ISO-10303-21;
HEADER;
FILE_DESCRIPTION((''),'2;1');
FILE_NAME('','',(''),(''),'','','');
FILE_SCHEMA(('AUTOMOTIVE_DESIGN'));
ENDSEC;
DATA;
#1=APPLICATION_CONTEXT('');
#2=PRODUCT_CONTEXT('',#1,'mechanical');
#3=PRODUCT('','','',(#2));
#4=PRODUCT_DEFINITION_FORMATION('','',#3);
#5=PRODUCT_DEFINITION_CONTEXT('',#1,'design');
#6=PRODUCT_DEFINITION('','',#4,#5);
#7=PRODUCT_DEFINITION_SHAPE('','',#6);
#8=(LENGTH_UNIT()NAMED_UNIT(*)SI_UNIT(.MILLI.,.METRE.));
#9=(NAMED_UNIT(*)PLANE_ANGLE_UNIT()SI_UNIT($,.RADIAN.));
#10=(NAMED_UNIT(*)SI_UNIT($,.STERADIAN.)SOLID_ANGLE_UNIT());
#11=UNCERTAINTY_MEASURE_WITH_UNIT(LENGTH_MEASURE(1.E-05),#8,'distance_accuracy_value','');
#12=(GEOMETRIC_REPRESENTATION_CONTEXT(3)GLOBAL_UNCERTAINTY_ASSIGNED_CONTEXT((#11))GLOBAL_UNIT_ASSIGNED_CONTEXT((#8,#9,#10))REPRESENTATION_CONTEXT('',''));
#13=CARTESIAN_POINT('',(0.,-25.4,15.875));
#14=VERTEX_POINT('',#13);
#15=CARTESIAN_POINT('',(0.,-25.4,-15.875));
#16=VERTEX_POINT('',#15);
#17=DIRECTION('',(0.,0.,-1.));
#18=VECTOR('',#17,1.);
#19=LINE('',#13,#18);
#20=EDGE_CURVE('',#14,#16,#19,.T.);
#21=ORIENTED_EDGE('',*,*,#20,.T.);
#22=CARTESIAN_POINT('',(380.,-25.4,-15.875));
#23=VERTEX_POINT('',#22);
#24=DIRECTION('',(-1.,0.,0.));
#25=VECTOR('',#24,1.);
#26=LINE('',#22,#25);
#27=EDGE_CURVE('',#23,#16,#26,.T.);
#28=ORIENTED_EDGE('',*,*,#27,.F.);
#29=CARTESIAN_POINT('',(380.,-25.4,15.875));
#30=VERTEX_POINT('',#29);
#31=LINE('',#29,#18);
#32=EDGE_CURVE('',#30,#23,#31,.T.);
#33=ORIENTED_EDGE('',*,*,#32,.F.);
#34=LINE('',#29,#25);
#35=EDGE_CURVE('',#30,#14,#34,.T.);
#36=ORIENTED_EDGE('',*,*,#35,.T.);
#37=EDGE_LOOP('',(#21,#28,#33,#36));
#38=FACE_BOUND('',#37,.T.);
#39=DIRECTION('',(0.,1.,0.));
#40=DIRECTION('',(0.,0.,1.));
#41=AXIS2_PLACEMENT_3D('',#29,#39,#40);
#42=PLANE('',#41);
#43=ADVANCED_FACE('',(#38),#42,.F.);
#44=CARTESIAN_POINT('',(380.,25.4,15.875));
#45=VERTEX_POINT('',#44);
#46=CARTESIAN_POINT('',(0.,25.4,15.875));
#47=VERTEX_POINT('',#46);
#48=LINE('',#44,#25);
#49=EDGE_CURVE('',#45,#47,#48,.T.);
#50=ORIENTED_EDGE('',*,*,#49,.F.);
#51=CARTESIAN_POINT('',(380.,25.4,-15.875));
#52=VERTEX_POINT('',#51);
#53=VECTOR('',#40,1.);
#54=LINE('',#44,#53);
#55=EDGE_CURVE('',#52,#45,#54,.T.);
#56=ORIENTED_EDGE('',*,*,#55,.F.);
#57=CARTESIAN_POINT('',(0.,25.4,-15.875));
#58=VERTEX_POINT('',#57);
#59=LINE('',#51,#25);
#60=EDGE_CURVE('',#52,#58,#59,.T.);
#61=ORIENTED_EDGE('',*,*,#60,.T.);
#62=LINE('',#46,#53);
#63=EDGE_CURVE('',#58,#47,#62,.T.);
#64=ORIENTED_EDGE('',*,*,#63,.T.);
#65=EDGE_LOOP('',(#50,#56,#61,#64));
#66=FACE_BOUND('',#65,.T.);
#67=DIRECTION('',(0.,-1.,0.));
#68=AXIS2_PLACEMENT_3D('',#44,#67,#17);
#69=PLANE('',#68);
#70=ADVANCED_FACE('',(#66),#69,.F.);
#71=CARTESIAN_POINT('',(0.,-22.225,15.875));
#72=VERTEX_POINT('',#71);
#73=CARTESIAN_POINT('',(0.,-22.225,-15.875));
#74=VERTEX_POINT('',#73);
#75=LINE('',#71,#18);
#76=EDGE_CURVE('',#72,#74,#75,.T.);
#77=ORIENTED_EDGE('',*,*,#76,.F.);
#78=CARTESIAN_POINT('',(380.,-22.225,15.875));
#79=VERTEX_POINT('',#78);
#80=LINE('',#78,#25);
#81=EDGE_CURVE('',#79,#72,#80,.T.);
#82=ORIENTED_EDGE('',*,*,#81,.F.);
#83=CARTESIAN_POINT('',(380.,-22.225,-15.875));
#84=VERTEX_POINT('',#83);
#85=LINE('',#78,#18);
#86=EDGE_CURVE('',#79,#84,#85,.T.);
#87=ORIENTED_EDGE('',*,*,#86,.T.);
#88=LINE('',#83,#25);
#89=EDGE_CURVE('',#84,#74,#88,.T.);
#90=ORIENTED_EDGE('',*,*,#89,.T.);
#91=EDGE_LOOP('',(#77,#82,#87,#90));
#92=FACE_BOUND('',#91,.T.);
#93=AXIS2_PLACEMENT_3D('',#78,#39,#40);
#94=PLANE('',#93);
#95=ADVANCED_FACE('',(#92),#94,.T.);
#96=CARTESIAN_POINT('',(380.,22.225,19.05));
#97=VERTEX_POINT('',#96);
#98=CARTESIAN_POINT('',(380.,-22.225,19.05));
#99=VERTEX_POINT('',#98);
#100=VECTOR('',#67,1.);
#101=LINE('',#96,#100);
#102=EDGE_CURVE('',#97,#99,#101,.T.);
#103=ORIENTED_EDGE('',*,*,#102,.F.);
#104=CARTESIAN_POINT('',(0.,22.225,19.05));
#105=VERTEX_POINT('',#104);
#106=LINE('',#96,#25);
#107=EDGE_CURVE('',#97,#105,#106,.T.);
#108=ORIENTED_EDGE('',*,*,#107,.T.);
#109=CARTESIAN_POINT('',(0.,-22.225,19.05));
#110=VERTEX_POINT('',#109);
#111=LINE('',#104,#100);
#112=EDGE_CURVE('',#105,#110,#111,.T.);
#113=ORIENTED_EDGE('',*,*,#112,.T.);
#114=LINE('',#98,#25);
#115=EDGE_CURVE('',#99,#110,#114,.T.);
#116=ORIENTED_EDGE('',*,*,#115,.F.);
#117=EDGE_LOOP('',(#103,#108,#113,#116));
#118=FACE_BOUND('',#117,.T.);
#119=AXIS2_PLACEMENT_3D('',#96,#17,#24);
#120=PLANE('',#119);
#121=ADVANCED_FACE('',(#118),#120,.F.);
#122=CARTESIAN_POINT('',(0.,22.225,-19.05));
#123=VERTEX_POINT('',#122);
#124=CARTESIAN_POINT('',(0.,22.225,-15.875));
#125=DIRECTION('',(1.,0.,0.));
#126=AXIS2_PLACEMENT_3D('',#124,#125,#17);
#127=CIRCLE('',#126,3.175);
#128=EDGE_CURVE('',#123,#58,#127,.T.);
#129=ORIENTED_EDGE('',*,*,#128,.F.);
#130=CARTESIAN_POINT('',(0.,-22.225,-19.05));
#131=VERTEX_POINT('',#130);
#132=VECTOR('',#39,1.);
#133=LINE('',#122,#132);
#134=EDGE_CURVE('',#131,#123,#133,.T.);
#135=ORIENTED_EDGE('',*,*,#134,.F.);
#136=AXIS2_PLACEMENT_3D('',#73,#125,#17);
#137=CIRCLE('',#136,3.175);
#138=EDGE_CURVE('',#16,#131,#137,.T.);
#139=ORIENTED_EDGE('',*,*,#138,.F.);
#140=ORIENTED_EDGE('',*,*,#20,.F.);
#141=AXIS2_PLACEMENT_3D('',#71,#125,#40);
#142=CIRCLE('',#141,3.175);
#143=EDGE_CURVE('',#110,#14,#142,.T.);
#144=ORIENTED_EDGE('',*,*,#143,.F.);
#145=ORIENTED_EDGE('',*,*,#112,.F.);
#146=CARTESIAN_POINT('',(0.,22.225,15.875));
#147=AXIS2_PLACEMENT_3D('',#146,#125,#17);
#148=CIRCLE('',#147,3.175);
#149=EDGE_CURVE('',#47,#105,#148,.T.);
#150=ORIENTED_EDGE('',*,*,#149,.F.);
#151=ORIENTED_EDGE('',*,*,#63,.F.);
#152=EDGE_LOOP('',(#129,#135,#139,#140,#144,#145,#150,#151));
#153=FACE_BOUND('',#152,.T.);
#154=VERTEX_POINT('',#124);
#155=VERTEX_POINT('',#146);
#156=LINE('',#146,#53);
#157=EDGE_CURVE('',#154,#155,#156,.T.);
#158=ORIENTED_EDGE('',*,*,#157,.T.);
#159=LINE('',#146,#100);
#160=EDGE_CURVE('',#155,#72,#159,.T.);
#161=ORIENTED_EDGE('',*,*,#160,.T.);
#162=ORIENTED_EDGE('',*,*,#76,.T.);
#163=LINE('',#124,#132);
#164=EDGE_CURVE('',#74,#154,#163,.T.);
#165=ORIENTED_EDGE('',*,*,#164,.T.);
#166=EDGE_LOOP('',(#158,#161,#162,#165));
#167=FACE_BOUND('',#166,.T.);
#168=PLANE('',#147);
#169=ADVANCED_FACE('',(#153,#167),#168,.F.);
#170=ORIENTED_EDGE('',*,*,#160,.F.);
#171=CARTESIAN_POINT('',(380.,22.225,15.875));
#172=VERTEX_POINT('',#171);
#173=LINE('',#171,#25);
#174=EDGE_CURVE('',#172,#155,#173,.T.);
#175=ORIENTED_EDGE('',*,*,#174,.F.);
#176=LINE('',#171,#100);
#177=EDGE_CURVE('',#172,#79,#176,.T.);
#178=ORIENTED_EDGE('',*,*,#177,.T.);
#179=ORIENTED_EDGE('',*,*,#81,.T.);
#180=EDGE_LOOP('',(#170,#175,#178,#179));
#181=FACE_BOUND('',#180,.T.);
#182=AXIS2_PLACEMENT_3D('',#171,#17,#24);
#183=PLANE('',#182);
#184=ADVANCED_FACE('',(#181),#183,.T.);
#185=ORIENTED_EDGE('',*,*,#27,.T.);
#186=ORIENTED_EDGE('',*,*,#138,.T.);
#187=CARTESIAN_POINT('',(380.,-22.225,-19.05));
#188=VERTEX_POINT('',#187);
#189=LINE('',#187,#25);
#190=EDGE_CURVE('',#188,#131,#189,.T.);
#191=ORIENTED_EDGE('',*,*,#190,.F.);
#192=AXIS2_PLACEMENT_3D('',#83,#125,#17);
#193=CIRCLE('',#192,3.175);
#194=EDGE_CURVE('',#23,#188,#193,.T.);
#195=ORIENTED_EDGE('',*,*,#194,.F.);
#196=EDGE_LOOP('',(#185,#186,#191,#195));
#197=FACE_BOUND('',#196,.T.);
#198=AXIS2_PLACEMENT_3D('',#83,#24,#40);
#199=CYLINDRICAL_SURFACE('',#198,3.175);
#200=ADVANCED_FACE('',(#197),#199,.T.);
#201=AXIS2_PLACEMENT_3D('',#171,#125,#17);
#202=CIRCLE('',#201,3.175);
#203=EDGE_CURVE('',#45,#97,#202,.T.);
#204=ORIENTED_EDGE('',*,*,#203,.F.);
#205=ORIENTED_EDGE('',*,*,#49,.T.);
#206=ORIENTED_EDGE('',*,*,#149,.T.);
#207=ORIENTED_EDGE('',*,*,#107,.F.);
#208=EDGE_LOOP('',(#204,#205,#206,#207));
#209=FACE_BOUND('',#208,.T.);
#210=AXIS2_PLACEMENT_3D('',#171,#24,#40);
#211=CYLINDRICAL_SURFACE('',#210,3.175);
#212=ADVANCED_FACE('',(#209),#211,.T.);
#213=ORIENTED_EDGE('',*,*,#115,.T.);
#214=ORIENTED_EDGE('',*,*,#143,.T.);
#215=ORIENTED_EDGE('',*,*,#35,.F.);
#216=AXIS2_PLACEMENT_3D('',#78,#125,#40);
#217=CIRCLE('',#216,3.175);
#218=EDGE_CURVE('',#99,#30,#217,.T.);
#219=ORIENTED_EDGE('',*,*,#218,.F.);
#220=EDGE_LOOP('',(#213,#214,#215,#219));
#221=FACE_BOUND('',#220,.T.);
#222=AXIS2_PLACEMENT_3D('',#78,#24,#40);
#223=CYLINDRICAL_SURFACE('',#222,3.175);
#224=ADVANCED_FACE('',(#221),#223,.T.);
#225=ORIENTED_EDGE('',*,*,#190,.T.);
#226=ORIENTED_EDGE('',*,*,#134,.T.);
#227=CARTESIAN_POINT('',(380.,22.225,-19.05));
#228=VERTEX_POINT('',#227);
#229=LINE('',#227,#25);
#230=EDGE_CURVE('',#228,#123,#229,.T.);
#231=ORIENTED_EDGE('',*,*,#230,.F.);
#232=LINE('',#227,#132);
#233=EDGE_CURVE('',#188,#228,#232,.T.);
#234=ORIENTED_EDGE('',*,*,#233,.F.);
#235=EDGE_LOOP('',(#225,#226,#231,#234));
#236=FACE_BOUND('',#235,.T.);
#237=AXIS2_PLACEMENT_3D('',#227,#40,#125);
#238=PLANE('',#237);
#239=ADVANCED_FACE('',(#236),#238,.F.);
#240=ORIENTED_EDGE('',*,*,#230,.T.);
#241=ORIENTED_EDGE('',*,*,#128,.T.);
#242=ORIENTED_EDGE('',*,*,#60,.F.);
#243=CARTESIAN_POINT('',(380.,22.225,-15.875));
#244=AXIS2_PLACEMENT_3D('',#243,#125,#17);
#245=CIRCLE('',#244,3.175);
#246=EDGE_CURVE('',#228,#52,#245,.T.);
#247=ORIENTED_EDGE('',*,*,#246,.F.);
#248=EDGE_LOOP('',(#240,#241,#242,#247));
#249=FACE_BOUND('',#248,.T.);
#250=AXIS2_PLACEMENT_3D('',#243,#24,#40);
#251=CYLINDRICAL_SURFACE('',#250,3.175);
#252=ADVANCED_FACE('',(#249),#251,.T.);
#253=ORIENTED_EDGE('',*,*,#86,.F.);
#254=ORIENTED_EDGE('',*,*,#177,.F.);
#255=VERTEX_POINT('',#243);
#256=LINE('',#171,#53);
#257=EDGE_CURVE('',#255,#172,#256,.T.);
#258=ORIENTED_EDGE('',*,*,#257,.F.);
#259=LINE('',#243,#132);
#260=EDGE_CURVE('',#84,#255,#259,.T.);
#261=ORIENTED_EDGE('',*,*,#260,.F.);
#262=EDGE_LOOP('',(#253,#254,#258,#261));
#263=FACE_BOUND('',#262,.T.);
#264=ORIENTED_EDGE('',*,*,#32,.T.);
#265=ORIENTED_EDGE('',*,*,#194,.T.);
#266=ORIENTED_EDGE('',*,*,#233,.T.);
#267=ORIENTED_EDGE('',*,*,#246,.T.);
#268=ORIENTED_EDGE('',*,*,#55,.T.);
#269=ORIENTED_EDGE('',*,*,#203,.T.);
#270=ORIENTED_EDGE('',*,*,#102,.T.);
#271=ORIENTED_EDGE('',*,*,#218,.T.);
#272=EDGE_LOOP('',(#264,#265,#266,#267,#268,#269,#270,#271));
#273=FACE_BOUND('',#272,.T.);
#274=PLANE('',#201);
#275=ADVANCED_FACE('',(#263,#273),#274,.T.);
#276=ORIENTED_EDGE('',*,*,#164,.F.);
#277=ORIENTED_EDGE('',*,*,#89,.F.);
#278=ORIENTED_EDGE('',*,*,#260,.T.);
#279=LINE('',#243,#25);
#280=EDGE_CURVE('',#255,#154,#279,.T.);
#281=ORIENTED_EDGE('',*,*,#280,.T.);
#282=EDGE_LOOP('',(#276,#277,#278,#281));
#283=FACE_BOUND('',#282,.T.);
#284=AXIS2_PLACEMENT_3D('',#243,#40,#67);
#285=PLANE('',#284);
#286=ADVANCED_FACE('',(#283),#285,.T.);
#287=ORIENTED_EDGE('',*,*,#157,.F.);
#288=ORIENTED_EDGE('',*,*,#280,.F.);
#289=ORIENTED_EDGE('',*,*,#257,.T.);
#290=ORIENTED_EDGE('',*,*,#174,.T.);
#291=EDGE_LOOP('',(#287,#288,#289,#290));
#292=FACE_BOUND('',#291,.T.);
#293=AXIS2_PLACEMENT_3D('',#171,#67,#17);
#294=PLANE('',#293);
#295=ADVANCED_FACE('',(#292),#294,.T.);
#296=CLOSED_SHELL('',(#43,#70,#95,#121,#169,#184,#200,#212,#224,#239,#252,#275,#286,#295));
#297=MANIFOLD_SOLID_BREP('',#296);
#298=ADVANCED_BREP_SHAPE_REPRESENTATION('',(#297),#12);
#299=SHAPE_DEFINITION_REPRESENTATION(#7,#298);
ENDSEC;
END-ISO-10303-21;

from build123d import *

# Parameters (mm, degrees)
SKETCH1_W      = 31.75
SKETCH1_H      = 44.45
EXTRUDE1_DEPTH = 380


with BuildPart() as part:
    # Sketch1 → Extrude1 (new body)
    with BuildSketch(Plane(origin=(0, 0, 0), x_dir=(0, 0, -1), z_dir=(1, 0, 0))):
        with BuildLine():
            Line((-15.875, 25.4), (15.875, 25.4))
            ThreePointArc((15.875, 25.4), (18.12006403, 24.47006403), (19.05, 22.225))
            Line((19.05, 22.225), (19.05, -22.225))
            ThreePointArc((19.05, -22.225), (18.12006403, -24.47006403), (15.875, -25.4))
            Line((15.875, -25.4), (-15.875, -25.4))
            ThreePointArc((-15.875, -25.4), (-18.12006403, -24.47006403), (-19.05, -22.225))
            Line((-19.05, -22.225), (-19.05, 22.225))
            ThreePointArc((-19.05, 22.225), (-18.12006403, 24.47006403), (-15.875, 25.4))
        make_face()
        Rectangle(SKETCH1_W, SKETCH1_H, mode=Mode.SUBTRACT)
    extrude(amount=EXTRUDE1_DEPTH)


solid = part.part
